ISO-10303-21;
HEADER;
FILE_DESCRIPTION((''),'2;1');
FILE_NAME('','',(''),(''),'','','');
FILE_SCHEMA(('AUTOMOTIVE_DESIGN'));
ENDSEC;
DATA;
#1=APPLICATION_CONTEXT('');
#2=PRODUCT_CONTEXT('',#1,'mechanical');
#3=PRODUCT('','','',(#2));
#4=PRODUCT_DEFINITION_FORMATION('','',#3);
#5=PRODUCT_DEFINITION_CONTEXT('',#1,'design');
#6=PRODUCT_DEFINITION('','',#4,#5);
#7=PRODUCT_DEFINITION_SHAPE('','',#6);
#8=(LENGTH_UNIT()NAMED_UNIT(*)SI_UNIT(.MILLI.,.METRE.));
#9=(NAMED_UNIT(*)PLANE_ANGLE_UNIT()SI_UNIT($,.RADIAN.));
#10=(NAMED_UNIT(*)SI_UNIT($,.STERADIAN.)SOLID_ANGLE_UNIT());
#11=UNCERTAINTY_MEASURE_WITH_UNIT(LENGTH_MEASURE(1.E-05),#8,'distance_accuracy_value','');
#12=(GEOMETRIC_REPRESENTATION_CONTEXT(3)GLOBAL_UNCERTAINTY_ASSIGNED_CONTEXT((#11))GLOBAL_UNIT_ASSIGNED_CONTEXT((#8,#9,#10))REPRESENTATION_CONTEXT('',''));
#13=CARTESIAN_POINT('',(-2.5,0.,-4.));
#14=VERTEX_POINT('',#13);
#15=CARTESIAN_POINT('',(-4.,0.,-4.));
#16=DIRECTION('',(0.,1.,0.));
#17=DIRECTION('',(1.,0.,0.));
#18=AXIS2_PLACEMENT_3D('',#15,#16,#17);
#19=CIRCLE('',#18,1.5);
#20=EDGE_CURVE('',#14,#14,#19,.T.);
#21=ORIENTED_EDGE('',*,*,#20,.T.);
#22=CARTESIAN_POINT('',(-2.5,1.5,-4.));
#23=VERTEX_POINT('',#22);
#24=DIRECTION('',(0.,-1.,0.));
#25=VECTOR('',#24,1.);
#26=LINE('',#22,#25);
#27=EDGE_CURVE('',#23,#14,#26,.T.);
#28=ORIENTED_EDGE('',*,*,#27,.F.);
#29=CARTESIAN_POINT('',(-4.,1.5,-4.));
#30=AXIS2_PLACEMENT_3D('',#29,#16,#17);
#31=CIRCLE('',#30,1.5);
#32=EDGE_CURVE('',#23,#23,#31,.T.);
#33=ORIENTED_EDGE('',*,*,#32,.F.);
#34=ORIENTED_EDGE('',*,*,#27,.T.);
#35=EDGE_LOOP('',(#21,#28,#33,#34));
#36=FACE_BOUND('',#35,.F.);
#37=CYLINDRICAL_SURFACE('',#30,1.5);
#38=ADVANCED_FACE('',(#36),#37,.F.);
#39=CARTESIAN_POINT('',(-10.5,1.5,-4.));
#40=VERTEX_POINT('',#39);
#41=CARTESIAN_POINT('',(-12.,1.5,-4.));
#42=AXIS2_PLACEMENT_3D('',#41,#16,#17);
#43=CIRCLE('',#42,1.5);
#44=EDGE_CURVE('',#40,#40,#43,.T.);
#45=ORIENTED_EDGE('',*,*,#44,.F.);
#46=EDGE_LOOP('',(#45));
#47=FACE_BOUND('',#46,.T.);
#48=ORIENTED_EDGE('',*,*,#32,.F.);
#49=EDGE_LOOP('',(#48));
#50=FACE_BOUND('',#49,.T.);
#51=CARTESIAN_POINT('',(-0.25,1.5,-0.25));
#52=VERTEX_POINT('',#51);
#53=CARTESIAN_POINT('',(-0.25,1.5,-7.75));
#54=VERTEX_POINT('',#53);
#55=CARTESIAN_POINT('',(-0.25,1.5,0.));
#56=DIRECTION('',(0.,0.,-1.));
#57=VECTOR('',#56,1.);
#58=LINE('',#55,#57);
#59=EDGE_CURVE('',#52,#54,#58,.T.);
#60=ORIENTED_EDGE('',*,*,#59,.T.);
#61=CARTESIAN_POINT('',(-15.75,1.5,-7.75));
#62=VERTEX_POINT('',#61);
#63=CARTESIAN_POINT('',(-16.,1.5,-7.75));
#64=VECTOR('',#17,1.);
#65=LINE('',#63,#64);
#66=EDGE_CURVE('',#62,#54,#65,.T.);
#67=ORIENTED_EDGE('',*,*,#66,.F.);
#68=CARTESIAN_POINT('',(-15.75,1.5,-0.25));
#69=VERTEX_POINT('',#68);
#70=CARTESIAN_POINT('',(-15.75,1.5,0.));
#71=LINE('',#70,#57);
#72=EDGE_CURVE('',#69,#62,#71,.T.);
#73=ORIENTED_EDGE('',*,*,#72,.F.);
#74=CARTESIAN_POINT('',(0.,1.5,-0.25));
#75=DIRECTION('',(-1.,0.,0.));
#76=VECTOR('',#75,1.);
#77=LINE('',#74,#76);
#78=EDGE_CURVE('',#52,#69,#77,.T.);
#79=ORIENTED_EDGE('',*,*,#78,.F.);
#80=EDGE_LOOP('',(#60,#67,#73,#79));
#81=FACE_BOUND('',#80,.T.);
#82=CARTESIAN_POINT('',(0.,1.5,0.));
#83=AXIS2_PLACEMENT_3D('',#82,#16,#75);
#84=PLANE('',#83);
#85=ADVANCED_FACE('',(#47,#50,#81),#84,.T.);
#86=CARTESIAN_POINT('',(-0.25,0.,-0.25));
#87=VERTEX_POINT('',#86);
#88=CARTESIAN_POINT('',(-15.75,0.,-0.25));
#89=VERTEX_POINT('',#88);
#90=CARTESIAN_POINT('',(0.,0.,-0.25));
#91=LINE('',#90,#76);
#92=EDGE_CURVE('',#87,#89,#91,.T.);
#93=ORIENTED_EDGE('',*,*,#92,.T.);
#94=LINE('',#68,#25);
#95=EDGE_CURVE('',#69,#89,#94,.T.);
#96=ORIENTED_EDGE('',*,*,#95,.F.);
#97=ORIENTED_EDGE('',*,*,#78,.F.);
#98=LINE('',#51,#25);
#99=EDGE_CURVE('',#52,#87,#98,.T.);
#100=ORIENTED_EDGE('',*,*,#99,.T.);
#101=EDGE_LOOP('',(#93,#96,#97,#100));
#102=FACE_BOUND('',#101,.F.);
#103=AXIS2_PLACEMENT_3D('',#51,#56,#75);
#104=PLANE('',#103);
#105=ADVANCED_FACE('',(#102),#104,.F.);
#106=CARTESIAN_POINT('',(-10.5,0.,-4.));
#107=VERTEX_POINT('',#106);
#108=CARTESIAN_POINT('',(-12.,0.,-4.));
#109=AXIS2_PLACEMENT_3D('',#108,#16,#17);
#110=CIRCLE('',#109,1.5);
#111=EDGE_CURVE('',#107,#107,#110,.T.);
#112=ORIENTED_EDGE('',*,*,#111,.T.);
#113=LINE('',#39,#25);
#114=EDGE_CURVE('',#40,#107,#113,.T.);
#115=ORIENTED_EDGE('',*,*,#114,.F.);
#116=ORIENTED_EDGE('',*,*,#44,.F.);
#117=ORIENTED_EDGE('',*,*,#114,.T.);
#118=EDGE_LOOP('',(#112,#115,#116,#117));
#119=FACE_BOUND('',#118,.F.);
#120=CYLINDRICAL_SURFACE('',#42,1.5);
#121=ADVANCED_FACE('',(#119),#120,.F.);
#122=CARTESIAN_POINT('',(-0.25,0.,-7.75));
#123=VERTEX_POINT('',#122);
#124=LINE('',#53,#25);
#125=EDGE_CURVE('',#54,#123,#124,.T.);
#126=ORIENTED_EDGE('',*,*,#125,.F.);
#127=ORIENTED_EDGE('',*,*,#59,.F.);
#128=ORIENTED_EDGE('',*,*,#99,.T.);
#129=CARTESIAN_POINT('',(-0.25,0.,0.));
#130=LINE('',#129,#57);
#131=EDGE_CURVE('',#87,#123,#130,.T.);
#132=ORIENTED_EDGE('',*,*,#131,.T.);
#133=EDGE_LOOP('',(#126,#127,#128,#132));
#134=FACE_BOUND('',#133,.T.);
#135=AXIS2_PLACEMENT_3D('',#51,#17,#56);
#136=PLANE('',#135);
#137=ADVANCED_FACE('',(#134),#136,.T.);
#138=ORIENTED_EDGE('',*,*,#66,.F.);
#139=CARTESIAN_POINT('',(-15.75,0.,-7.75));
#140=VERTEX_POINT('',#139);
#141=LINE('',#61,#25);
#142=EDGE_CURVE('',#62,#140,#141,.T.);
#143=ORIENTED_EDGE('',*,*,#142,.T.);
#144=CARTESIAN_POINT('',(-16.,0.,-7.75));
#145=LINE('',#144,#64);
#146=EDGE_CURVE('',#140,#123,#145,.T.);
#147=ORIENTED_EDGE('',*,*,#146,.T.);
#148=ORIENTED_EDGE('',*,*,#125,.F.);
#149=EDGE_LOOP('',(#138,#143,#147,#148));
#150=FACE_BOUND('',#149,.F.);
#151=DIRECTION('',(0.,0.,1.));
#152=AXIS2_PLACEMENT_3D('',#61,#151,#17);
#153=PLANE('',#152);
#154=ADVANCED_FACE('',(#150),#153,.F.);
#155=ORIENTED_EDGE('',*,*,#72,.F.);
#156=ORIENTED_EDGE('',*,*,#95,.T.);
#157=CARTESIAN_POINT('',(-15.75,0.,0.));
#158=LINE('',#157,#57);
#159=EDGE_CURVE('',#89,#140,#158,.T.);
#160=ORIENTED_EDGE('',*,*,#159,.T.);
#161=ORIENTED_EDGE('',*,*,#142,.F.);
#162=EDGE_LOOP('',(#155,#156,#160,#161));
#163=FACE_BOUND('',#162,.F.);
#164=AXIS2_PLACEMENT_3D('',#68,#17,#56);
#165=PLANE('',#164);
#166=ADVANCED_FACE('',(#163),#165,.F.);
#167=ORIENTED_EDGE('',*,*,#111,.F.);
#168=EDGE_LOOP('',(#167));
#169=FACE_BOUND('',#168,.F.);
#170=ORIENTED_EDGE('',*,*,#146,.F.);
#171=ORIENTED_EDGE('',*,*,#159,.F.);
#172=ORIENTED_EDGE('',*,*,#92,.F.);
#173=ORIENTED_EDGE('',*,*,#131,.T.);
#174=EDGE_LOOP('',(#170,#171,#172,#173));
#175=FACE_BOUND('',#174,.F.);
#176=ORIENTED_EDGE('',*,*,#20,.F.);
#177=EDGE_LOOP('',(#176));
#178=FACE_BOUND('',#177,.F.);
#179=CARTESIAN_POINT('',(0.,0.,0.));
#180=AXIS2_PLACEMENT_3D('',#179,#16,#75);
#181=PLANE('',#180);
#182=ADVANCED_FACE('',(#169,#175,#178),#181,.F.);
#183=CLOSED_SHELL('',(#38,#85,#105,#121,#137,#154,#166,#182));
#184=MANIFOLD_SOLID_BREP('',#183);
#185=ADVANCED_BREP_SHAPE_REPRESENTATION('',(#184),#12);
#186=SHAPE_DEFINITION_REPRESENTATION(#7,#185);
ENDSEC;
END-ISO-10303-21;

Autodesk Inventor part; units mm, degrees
ref_plane "YZ Plane" through (0, 0, 0) normal (1, 0, 0) x (0, 1, 0)
ref_plane "XZ Plane" through (0, 0, 0) normal (0, 1, 0) x (-1, 0, 0)
ref_plane "XY Plane" through (0, 0, 0) normal (0, 0, 1) x (1, 0, 0)
sketch "Sketch1" plane through (0, 0, 0) normal (0, 1, 0) x (-1, 0, 0)
  line L0 (0, 0) -> (16, 0)
  line L1 (16, 0) -> (16, -8)
  line L2 (16, -8) -> (0, -8)
  line L3 (0, -8) -> (0, 0)
  dimension "d0" = 16
  dimension "d1" = 8
extrude "Extrusion1" add sketch "Sketch1" along normal blind 1.5
sketch "Sketch2" plane through (0, 1.5, 0) normal (0, 1, 0) x (1, 0, 0)
  circle A0 centre (-4, 4) radius 1.5
  circle A1 centre (-12, 4) radius 1.5
  point P0 (0, 0)
  point P1 (-16, 0)
  dimension "d4" = 3
  dimension "d5" = 3
extrude "Extrusion2" cut sketch "Sketch2" against normal blind 1.5
sketch "Sketch3" plane through (0, 1.5, 0) normal (0, 1, 0) x (1, 0, 0)
  line L0 (-16, 0) -> (0, 0) projected
  line L1 (0, 0) -> (0, 8) projected
  line L2 (-16, 0) -> (0, 0)
  line L3 (0, 0) -> (0, 8)
  line L4 (0, 8) -> (-16, 8)
  line L5 (-16, 8) -> (-16, 0)
  line L6 (0, 0) -> (-0.25, 0)
  line L7 (-0.25, 0) -> (-0.25, 8)
  line L8 (0, 0) -> (0, 0.25)
  line L9 (0, 0.25) -> (-16, 0.25)
  line L10 (-16, 0) -> (-15.75, 0)
  line L11 (-15.75, 0) -> (-15.75, 8)
  line L12 (-16, 8) -> (-16, 7.75)
  line L13 (-16, 7.75) -> (-0.25, 7.75)
  point P0 (-0.25, 0.25)
  point P1 (-15.75, 0.25)
  point P2 (-15.75, 7.75)
  dimension "d8" = 0.25
  dimension "d9" = 0.25
  dimension "d10" = 0.25
  dimension "d11" = 0.25
extrude "Extrusion3" cut sketch "Sketch3" against normal blind 1.5 contours L5 L9 L11 L0 | L11 L9 L7 L0 | L5 L13 L11 L9 | L7 L9 L1 L0 | L5 L4 L11 L13 | L7 L4 L1 L9 | L11 L4 L7 L13
properties part number "connector"
